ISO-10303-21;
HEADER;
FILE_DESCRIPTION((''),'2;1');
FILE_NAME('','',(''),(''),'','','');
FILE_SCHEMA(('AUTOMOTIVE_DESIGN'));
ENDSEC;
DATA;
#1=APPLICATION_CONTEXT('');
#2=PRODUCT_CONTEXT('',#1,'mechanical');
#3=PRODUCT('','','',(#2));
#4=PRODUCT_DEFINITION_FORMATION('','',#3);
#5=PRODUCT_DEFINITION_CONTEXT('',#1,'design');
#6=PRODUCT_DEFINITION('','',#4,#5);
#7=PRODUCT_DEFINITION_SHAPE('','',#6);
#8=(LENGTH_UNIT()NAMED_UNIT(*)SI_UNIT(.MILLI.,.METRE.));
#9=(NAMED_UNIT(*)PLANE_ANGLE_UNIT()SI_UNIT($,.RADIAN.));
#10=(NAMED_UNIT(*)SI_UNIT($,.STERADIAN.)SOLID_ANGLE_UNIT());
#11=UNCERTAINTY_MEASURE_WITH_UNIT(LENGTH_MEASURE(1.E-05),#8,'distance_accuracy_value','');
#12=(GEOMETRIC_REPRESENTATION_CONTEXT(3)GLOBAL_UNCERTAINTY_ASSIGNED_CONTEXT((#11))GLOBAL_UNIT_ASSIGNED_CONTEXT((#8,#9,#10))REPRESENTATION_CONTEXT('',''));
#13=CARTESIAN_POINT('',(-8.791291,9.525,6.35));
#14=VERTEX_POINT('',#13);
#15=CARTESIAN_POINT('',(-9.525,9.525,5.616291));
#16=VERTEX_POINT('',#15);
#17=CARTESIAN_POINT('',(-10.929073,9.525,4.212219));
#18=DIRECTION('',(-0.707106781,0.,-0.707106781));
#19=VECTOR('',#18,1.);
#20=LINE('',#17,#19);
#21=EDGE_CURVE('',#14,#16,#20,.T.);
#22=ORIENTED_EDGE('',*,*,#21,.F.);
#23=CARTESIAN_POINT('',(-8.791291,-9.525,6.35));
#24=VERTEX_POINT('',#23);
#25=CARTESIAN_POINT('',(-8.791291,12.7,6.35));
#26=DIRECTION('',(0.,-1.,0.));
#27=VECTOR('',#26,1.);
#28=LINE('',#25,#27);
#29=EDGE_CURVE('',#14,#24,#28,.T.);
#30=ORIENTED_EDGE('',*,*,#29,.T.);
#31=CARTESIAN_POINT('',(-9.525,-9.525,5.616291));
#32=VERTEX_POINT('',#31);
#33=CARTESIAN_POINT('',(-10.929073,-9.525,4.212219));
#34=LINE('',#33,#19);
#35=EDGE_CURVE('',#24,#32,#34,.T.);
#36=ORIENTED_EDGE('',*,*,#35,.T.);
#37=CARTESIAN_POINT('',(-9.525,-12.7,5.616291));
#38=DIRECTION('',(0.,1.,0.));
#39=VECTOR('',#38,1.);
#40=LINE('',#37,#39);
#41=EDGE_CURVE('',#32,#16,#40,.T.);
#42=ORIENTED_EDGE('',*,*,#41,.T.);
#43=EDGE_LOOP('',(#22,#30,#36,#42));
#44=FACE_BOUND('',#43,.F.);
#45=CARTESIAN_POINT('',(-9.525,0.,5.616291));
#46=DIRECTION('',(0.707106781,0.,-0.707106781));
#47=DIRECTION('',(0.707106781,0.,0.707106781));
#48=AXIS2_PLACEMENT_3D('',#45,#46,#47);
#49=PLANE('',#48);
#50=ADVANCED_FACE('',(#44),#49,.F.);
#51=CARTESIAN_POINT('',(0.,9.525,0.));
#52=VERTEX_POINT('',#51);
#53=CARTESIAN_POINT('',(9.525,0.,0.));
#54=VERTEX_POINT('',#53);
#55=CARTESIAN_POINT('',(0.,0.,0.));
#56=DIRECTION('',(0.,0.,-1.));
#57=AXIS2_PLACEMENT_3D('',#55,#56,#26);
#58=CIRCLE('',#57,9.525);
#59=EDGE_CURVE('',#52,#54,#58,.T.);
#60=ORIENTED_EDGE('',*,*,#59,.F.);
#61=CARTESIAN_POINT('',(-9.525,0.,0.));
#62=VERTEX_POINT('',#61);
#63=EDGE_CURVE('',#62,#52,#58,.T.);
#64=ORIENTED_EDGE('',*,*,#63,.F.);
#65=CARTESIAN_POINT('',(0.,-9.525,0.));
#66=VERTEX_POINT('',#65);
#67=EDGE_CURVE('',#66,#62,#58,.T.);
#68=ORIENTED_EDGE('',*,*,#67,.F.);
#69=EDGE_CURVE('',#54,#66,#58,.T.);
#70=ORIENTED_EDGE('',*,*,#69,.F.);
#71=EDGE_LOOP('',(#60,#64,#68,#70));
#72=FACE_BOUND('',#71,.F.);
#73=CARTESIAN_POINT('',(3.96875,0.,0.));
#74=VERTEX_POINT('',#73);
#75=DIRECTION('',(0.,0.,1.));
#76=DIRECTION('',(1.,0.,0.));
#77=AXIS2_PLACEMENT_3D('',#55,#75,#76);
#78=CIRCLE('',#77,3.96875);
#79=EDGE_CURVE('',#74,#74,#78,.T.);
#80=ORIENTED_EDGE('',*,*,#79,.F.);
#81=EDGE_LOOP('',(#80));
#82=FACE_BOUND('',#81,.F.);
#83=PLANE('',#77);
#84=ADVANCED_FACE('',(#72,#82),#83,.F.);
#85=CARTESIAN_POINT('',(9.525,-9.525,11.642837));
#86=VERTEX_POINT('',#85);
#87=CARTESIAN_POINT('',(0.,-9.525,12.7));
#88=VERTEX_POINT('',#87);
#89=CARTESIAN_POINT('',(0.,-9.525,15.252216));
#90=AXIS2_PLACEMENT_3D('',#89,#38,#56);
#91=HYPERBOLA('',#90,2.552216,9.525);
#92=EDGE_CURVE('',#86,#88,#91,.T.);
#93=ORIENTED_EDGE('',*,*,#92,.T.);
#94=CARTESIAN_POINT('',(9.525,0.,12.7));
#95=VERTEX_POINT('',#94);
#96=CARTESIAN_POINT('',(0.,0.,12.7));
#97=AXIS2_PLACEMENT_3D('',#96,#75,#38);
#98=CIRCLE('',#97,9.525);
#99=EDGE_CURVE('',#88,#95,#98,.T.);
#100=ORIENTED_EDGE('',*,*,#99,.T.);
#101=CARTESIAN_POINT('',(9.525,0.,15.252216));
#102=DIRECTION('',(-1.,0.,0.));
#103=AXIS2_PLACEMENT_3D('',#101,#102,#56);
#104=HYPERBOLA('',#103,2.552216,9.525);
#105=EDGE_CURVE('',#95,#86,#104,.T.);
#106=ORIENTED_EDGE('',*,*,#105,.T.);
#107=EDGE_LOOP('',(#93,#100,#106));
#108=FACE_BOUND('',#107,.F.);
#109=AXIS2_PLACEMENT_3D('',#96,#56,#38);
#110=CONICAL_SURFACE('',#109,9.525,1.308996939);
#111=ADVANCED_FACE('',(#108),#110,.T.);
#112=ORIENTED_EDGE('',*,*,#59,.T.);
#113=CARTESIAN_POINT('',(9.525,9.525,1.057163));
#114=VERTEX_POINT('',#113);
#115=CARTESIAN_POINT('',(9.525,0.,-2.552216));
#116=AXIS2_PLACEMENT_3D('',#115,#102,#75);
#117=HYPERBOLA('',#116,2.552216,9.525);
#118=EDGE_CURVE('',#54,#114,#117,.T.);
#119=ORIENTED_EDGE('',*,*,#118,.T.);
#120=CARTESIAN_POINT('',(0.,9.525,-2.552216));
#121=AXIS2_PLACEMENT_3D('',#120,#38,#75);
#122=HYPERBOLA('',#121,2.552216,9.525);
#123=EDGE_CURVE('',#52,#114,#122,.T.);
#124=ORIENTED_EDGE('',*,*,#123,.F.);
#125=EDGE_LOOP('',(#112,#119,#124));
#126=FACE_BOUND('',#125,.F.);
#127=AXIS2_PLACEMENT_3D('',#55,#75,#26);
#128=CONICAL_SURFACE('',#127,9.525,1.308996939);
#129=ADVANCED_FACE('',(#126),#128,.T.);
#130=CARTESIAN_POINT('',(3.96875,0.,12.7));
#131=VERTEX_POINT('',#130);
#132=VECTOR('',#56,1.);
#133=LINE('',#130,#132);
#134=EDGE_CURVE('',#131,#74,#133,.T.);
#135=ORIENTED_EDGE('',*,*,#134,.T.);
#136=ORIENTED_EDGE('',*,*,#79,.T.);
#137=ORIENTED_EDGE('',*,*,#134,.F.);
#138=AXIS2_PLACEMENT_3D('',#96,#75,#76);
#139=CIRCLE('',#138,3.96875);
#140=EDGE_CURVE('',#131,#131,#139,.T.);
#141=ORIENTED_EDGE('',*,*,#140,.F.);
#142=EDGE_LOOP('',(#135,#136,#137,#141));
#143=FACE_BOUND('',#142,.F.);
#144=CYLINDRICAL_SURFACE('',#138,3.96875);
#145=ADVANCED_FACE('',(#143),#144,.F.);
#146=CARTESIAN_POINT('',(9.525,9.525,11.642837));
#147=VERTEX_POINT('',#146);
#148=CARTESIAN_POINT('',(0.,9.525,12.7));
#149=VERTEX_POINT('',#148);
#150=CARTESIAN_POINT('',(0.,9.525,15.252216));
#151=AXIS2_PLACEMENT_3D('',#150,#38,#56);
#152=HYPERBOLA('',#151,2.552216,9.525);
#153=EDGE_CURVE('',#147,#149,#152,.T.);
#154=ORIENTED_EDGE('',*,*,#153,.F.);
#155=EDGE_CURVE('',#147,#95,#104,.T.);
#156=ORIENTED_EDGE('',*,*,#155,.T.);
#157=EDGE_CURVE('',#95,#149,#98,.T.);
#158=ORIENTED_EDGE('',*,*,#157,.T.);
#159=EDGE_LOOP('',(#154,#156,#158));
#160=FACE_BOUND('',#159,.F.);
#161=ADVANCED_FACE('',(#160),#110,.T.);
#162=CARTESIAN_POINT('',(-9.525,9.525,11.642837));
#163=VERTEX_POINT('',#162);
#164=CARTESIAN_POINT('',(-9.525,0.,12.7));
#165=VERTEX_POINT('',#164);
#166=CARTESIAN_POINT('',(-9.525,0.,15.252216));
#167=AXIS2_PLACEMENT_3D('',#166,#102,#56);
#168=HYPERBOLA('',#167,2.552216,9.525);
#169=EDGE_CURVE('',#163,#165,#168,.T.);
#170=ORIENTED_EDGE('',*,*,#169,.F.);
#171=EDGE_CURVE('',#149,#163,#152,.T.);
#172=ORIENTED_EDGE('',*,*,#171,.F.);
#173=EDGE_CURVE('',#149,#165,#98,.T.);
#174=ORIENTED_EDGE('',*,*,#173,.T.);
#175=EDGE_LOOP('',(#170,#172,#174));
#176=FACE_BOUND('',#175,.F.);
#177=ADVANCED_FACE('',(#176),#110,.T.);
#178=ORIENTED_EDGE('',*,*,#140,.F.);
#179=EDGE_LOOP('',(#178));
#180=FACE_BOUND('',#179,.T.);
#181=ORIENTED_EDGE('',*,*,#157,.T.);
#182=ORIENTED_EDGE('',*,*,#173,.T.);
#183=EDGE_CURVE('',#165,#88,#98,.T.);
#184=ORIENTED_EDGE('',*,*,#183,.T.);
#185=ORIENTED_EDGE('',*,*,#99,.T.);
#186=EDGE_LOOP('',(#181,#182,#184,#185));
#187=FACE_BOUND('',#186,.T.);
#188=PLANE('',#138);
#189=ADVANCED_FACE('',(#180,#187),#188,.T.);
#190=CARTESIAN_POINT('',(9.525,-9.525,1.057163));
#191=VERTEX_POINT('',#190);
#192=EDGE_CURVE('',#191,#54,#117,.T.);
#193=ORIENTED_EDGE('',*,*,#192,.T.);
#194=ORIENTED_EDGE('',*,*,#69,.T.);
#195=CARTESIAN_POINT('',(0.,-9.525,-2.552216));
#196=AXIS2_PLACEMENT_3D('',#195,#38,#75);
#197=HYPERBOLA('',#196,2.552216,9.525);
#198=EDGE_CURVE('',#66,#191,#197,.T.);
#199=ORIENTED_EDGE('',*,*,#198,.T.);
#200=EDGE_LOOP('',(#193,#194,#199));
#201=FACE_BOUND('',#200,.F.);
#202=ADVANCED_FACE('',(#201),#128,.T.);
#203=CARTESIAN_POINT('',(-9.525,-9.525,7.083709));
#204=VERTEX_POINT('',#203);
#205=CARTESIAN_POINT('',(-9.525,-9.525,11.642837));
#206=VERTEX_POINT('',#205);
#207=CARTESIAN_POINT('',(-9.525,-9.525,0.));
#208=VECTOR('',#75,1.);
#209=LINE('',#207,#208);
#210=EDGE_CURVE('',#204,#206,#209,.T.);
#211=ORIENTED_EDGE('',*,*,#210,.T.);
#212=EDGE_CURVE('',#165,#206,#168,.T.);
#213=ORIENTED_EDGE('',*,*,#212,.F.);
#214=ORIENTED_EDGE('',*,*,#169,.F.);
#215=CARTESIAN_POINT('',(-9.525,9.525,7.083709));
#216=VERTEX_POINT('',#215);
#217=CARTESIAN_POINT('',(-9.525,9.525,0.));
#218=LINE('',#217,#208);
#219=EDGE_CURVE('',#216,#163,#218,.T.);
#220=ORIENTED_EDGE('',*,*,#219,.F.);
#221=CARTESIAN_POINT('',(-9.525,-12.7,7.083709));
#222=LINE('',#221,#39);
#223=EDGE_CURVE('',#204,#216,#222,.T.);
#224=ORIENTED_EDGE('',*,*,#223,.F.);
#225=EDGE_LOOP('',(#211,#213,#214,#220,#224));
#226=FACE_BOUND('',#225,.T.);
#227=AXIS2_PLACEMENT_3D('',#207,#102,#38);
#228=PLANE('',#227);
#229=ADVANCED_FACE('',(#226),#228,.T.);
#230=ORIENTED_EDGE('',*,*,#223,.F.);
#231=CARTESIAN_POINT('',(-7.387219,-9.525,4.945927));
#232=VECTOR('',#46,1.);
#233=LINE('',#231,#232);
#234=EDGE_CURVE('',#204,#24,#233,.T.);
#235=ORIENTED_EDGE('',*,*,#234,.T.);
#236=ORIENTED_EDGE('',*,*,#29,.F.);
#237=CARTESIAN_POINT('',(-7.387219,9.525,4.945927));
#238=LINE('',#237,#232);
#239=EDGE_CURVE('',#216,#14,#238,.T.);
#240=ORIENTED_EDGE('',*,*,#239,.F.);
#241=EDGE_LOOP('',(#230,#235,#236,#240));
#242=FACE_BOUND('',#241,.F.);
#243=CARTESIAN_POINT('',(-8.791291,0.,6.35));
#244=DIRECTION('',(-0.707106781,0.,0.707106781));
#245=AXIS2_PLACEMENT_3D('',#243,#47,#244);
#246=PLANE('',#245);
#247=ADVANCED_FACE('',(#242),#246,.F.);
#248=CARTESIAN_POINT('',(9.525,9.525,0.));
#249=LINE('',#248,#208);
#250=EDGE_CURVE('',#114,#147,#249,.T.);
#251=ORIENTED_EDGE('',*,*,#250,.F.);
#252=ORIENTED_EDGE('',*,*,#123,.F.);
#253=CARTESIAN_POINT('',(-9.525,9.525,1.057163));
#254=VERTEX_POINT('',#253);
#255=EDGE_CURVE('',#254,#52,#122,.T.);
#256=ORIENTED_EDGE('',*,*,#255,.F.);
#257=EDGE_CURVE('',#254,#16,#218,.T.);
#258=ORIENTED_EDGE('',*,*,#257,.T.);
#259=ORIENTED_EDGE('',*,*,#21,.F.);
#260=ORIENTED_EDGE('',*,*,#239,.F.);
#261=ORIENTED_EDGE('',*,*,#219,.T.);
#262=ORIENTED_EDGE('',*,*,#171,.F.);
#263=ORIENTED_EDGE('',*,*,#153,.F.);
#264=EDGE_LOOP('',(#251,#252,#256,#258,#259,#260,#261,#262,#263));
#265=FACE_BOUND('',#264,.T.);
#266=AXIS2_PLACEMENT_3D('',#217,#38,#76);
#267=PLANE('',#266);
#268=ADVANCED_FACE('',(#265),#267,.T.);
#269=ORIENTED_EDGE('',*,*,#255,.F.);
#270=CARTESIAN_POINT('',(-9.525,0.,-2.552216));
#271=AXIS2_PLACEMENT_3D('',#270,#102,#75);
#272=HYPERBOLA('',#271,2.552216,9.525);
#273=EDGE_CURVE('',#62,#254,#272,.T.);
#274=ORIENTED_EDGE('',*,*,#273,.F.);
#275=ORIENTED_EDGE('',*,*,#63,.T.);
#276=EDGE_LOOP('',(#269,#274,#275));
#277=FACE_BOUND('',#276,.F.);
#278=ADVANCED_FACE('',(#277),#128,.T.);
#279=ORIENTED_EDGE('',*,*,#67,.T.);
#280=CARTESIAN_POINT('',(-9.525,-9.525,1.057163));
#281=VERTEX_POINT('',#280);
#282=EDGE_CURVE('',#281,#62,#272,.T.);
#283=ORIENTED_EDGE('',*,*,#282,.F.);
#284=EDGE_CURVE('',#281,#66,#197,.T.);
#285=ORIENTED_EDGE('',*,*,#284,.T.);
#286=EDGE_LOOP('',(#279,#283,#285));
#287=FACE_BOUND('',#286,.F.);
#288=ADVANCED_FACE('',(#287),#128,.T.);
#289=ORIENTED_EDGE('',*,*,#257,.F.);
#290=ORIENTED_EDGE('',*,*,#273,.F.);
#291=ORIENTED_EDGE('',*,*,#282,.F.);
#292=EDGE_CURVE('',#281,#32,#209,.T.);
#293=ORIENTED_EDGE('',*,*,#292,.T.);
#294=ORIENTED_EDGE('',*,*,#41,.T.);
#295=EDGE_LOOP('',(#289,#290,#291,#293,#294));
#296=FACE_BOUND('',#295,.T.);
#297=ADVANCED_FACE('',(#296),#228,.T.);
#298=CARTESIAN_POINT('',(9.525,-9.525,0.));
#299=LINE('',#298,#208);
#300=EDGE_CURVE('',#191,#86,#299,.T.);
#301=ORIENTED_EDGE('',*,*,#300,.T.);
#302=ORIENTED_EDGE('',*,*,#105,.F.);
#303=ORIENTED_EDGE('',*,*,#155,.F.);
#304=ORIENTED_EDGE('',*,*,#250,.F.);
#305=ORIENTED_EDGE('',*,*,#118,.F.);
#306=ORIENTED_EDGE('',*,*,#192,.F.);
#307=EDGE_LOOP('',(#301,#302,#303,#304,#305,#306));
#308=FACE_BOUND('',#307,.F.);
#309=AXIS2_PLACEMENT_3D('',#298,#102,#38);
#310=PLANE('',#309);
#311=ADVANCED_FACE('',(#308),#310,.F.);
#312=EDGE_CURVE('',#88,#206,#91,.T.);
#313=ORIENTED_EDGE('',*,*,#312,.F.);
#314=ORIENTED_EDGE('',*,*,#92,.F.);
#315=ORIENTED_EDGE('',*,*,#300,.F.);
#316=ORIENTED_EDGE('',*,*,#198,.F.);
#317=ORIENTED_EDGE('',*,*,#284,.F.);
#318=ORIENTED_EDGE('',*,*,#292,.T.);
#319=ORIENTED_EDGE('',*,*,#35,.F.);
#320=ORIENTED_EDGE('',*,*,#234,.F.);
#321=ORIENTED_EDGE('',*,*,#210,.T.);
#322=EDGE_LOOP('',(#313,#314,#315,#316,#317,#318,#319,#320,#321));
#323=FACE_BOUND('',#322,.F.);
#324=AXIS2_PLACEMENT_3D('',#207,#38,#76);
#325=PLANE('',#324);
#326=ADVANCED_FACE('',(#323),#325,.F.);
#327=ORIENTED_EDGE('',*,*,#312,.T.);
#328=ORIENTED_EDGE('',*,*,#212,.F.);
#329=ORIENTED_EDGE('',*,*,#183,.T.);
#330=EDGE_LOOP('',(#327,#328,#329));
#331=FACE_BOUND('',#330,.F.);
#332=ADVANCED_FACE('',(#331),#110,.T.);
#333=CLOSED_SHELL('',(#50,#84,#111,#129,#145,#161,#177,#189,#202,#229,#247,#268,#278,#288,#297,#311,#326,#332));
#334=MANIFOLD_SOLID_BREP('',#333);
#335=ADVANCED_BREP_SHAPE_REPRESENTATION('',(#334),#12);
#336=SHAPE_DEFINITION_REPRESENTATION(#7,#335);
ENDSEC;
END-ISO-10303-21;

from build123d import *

# Parameters (mm, degrees)
F0_W      = 19.05
F0_H      = 19.05
F1_DEPTH  = 12.7
F2_R      = 3.96875
F3_DEPTH  = 12.701
F10_DEPTH = 12.7


with BuildPart() as f1:
    # F0 (on Top) → F1 (new body)
    with BuildSketch(Plane.XY):
        Rectangle(F0_W, F0_H)
    extrude(amount=F1_DEPTH)

    # F2 (on face) → F3 (cut, through all)
    with BuildSketch(Plane.XY.offset(12.7)):
        Circle(F2_R)
    extrude(amount=-F3_DEPTH, mode=Mode.SUBTRACT)

    # F4 (on Right) → F5 (revolve, cut)
    with BuildSketch(Plane.YZ):
        Polygon((24.765, 12.7), (9.525, 12.7), (24.765, 8.6164543073), align=None)
    revolve(axis=Axis((0, 0, 12.7), (0, 0, 1)), mode=Mode.SUBTRACT)

    # F7 (on Right) → F8 (revolve, cut)
    with BuildSketch(Plane.YZ):
        Polygon((-22.8305501432, 0), (-9.525, 0), (-22.8305501432, 3.5652114157), align=None)
    revolve(axis=Axis((0, 0, 0), (0, 0, -1)), mode=Mode.SUBTRACT)

    # F9 (on Front) → F10 (cut, symmetric)
    with BuildSketch(Plane.XZ):
        Polygon((-8.7912914261, 6.35), (-9.525, 6.35), (-9.525, 5.6162914261), align=None)
        Polygon((-8.7912914261, 6.35), (-9.525, 7.0837085739), (-9.525, 6.35), align=None)
    extrude(amount=F10_DEPTH, both=True, mode=Mode.SUBTRACT)


solid = f1.part
